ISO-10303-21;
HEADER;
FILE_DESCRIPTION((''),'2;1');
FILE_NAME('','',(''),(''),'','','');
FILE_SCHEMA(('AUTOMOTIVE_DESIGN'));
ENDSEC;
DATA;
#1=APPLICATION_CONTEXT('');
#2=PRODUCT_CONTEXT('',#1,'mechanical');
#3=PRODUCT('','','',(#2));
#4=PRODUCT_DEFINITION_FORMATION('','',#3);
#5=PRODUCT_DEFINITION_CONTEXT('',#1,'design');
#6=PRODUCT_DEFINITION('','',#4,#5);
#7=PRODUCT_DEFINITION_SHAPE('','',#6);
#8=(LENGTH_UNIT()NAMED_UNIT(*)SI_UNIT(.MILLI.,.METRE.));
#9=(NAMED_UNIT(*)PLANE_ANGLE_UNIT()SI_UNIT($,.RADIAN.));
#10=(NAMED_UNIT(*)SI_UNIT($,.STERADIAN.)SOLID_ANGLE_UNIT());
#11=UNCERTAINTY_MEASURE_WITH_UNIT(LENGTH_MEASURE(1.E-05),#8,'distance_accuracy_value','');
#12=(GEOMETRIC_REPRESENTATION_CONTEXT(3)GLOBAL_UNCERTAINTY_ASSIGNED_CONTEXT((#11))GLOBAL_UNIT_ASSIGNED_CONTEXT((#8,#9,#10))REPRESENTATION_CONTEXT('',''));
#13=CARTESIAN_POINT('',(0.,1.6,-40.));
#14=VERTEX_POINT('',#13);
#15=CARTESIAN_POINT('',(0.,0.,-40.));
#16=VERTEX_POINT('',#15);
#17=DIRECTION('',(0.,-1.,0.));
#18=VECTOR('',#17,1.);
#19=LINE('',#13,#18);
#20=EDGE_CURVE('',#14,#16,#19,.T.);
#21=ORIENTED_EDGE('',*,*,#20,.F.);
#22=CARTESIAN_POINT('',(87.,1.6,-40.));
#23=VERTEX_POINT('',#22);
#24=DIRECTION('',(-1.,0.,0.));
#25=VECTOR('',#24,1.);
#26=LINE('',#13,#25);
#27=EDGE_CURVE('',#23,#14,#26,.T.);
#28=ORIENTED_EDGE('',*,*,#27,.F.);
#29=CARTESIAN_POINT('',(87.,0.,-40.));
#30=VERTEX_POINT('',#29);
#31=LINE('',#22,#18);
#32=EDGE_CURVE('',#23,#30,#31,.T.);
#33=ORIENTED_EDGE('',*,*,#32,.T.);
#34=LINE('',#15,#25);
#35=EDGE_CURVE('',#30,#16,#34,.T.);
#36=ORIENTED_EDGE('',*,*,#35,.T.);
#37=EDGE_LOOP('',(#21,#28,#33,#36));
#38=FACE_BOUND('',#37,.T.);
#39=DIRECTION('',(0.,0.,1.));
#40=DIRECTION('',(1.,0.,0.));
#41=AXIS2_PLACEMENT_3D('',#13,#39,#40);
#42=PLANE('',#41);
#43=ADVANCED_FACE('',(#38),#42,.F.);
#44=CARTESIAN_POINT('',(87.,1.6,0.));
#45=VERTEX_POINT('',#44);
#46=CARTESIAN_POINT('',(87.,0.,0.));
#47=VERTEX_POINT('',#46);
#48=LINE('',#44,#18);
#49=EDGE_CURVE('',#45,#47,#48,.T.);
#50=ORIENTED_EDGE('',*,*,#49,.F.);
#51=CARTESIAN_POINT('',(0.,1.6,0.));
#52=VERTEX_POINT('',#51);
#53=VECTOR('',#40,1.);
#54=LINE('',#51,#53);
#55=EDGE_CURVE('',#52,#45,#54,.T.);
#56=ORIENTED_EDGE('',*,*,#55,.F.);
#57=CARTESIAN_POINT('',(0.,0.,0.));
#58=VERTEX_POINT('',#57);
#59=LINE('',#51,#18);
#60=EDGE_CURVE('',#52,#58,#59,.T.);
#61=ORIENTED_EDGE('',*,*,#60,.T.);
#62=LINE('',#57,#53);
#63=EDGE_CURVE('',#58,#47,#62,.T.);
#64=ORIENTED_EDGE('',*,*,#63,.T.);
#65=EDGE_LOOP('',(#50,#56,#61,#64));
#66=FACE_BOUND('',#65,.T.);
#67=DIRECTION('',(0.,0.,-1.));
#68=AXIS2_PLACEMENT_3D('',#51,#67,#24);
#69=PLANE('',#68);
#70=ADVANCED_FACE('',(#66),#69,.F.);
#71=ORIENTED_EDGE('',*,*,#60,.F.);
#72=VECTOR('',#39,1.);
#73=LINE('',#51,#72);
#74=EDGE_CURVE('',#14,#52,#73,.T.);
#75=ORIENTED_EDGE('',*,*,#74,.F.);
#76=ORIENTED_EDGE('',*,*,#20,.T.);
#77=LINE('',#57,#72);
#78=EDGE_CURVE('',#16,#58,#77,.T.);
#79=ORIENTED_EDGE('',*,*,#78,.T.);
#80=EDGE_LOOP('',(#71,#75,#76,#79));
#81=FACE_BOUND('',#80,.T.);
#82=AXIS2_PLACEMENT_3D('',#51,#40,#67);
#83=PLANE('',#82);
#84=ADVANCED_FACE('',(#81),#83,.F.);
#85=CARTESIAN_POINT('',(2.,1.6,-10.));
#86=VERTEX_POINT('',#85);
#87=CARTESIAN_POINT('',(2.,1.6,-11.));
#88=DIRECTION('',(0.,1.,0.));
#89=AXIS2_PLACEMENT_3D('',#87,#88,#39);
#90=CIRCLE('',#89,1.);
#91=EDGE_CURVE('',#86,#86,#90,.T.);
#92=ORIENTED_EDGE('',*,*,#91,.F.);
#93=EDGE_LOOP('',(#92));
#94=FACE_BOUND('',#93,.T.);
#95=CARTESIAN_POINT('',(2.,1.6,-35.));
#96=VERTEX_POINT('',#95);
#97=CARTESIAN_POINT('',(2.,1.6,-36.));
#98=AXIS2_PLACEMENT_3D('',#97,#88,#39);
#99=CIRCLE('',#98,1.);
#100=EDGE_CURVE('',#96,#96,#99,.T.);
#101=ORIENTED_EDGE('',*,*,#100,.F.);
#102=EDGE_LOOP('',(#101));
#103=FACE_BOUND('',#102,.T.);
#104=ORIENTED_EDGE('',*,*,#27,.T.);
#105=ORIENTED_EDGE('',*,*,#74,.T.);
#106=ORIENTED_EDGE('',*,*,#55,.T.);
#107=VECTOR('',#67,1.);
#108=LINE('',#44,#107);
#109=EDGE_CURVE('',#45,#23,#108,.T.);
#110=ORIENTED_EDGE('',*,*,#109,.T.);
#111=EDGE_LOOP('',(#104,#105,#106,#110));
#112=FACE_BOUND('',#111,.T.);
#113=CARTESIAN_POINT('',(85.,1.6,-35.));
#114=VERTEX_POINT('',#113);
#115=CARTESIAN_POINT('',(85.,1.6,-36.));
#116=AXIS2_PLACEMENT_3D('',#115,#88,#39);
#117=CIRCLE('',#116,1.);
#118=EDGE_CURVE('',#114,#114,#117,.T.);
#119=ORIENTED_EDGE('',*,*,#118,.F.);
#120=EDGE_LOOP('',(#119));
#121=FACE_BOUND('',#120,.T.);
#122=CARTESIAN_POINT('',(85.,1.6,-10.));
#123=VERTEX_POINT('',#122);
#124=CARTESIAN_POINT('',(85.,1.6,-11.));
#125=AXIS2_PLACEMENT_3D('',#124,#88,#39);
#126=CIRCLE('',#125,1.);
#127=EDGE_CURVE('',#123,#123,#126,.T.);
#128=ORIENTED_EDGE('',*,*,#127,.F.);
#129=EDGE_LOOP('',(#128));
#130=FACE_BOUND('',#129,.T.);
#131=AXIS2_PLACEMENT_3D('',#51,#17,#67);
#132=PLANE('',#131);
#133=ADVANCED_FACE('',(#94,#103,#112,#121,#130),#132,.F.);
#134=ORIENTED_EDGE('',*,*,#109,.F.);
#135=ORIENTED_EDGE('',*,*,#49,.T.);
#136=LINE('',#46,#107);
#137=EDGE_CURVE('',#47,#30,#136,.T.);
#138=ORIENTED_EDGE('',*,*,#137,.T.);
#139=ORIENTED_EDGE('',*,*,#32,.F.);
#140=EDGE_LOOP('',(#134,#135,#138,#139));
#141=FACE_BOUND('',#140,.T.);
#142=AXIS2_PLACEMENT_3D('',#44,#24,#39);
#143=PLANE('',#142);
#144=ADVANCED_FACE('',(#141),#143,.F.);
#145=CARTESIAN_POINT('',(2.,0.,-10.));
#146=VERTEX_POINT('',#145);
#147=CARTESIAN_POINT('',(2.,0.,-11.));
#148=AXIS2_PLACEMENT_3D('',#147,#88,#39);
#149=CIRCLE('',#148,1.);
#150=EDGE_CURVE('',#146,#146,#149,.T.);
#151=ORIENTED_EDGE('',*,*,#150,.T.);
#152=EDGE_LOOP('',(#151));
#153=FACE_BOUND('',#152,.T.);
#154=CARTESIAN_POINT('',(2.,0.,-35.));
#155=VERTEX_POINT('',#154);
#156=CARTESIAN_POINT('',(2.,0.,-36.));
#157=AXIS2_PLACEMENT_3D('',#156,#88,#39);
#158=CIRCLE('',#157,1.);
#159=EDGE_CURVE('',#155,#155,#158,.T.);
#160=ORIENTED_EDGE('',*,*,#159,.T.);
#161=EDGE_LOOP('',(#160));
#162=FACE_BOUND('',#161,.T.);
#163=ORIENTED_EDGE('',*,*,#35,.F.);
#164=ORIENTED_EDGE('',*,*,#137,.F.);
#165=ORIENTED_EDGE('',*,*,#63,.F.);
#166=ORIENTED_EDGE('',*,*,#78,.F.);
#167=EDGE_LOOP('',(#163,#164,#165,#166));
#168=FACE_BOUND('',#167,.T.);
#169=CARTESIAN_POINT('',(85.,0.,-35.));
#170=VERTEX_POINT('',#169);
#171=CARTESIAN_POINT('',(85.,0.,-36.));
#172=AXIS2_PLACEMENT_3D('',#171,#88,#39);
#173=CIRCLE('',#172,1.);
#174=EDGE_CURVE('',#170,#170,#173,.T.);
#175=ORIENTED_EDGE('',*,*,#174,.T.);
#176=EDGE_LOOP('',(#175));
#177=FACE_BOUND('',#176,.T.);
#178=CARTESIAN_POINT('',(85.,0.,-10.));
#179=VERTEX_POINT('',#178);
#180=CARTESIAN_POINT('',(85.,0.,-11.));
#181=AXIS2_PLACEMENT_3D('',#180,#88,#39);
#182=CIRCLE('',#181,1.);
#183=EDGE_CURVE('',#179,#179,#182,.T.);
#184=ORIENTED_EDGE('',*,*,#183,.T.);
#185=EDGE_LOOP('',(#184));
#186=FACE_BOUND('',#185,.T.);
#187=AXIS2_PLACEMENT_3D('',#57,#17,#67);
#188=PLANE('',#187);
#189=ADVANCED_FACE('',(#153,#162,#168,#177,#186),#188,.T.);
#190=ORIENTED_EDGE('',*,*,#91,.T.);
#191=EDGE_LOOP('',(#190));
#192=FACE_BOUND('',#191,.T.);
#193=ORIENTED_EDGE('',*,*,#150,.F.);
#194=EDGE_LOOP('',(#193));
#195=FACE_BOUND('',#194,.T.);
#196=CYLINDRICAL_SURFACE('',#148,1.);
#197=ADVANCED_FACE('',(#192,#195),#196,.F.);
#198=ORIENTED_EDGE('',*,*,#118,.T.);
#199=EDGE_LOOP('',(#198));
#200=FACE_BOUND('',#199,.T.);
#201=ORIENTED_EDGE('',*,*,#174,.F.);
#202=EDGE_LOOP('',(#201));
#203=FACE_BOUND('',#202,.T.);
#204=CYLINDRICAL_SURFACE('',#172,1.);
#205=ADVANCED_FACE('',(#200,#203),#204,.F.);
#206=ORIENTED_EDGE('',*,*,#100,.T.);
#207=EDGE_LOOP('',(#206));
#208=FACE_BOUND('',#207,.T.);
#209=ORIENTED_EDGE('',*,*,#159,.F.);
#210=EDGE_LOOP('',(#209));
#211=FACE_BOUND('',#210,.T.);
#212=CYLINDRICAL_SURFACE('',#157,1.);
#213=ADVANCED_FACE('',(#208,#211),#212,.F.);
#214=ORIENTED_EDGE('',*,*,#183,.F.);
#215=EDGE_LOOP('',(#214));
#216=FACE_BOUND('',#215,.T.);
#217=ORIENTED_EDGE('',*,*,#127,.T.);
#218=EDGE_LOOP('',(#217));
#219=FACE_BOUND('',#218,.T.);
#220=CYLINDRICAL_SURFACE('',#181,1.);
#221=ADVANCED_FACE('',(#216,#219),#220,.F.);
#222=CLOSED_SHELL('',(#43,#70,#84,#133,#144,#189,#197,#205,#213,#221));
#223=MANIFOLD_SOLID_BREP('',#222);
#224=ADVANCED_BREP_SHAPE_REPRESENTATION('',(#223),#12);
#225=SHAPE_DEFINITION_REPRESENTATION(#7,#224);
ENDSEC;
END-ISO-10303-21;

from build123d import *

# Parameters (mm, degrees)
SKETCH1_W           = 87
SKETCH1_H           = 40
BOSS_EXTRUDE1_DEPTH = 1.6
SKETCH2_R           = 1
CUT_EXTRUDE1_DEPTH  = 96.768261966


with BuildPart() as part:
    # Sketch1 → Boss-Extrude1 (new body)
    with BuildSketch(Plane(origin=(0, 0, 0), x_dir=(1, 0, 0), z_dir=(0, 1, 0))):
        with Locations((43.5, 20)):
            Rectangle(SKETCH1_W, SKETCH1_H)
    extrude(amount=BOSS_EXTRUDE1_DEPTH)

    # Sketch2 → Cut-Extrude1 (cut, through all)
    with BuildSketch(Plane(origin=(0, 1.6, 0), x_dir=(1, 0, 0), z_dir=(0, 1, 0))):
        with Locations(Location((2, 11, 0), (0, 0, 270))):
            Circle(SKETCH2_R)
        with Locations(Location((2, 36, 0), (0, 0, 270))):
            Circle(SKETCH2_R)
        with Locations(Location((85, 36, 0), (0, 0, 270))):
            Circle(SKETCH2_R)
        with Locations(Location((85, 11, 0), (0, 0, 270))):
            Circle(SKETCH2_R)
    extrude(amount=-CUT_EXTRUDE1_DEPTH, mode=Mode.SUBTRACT)


solid = part.part
